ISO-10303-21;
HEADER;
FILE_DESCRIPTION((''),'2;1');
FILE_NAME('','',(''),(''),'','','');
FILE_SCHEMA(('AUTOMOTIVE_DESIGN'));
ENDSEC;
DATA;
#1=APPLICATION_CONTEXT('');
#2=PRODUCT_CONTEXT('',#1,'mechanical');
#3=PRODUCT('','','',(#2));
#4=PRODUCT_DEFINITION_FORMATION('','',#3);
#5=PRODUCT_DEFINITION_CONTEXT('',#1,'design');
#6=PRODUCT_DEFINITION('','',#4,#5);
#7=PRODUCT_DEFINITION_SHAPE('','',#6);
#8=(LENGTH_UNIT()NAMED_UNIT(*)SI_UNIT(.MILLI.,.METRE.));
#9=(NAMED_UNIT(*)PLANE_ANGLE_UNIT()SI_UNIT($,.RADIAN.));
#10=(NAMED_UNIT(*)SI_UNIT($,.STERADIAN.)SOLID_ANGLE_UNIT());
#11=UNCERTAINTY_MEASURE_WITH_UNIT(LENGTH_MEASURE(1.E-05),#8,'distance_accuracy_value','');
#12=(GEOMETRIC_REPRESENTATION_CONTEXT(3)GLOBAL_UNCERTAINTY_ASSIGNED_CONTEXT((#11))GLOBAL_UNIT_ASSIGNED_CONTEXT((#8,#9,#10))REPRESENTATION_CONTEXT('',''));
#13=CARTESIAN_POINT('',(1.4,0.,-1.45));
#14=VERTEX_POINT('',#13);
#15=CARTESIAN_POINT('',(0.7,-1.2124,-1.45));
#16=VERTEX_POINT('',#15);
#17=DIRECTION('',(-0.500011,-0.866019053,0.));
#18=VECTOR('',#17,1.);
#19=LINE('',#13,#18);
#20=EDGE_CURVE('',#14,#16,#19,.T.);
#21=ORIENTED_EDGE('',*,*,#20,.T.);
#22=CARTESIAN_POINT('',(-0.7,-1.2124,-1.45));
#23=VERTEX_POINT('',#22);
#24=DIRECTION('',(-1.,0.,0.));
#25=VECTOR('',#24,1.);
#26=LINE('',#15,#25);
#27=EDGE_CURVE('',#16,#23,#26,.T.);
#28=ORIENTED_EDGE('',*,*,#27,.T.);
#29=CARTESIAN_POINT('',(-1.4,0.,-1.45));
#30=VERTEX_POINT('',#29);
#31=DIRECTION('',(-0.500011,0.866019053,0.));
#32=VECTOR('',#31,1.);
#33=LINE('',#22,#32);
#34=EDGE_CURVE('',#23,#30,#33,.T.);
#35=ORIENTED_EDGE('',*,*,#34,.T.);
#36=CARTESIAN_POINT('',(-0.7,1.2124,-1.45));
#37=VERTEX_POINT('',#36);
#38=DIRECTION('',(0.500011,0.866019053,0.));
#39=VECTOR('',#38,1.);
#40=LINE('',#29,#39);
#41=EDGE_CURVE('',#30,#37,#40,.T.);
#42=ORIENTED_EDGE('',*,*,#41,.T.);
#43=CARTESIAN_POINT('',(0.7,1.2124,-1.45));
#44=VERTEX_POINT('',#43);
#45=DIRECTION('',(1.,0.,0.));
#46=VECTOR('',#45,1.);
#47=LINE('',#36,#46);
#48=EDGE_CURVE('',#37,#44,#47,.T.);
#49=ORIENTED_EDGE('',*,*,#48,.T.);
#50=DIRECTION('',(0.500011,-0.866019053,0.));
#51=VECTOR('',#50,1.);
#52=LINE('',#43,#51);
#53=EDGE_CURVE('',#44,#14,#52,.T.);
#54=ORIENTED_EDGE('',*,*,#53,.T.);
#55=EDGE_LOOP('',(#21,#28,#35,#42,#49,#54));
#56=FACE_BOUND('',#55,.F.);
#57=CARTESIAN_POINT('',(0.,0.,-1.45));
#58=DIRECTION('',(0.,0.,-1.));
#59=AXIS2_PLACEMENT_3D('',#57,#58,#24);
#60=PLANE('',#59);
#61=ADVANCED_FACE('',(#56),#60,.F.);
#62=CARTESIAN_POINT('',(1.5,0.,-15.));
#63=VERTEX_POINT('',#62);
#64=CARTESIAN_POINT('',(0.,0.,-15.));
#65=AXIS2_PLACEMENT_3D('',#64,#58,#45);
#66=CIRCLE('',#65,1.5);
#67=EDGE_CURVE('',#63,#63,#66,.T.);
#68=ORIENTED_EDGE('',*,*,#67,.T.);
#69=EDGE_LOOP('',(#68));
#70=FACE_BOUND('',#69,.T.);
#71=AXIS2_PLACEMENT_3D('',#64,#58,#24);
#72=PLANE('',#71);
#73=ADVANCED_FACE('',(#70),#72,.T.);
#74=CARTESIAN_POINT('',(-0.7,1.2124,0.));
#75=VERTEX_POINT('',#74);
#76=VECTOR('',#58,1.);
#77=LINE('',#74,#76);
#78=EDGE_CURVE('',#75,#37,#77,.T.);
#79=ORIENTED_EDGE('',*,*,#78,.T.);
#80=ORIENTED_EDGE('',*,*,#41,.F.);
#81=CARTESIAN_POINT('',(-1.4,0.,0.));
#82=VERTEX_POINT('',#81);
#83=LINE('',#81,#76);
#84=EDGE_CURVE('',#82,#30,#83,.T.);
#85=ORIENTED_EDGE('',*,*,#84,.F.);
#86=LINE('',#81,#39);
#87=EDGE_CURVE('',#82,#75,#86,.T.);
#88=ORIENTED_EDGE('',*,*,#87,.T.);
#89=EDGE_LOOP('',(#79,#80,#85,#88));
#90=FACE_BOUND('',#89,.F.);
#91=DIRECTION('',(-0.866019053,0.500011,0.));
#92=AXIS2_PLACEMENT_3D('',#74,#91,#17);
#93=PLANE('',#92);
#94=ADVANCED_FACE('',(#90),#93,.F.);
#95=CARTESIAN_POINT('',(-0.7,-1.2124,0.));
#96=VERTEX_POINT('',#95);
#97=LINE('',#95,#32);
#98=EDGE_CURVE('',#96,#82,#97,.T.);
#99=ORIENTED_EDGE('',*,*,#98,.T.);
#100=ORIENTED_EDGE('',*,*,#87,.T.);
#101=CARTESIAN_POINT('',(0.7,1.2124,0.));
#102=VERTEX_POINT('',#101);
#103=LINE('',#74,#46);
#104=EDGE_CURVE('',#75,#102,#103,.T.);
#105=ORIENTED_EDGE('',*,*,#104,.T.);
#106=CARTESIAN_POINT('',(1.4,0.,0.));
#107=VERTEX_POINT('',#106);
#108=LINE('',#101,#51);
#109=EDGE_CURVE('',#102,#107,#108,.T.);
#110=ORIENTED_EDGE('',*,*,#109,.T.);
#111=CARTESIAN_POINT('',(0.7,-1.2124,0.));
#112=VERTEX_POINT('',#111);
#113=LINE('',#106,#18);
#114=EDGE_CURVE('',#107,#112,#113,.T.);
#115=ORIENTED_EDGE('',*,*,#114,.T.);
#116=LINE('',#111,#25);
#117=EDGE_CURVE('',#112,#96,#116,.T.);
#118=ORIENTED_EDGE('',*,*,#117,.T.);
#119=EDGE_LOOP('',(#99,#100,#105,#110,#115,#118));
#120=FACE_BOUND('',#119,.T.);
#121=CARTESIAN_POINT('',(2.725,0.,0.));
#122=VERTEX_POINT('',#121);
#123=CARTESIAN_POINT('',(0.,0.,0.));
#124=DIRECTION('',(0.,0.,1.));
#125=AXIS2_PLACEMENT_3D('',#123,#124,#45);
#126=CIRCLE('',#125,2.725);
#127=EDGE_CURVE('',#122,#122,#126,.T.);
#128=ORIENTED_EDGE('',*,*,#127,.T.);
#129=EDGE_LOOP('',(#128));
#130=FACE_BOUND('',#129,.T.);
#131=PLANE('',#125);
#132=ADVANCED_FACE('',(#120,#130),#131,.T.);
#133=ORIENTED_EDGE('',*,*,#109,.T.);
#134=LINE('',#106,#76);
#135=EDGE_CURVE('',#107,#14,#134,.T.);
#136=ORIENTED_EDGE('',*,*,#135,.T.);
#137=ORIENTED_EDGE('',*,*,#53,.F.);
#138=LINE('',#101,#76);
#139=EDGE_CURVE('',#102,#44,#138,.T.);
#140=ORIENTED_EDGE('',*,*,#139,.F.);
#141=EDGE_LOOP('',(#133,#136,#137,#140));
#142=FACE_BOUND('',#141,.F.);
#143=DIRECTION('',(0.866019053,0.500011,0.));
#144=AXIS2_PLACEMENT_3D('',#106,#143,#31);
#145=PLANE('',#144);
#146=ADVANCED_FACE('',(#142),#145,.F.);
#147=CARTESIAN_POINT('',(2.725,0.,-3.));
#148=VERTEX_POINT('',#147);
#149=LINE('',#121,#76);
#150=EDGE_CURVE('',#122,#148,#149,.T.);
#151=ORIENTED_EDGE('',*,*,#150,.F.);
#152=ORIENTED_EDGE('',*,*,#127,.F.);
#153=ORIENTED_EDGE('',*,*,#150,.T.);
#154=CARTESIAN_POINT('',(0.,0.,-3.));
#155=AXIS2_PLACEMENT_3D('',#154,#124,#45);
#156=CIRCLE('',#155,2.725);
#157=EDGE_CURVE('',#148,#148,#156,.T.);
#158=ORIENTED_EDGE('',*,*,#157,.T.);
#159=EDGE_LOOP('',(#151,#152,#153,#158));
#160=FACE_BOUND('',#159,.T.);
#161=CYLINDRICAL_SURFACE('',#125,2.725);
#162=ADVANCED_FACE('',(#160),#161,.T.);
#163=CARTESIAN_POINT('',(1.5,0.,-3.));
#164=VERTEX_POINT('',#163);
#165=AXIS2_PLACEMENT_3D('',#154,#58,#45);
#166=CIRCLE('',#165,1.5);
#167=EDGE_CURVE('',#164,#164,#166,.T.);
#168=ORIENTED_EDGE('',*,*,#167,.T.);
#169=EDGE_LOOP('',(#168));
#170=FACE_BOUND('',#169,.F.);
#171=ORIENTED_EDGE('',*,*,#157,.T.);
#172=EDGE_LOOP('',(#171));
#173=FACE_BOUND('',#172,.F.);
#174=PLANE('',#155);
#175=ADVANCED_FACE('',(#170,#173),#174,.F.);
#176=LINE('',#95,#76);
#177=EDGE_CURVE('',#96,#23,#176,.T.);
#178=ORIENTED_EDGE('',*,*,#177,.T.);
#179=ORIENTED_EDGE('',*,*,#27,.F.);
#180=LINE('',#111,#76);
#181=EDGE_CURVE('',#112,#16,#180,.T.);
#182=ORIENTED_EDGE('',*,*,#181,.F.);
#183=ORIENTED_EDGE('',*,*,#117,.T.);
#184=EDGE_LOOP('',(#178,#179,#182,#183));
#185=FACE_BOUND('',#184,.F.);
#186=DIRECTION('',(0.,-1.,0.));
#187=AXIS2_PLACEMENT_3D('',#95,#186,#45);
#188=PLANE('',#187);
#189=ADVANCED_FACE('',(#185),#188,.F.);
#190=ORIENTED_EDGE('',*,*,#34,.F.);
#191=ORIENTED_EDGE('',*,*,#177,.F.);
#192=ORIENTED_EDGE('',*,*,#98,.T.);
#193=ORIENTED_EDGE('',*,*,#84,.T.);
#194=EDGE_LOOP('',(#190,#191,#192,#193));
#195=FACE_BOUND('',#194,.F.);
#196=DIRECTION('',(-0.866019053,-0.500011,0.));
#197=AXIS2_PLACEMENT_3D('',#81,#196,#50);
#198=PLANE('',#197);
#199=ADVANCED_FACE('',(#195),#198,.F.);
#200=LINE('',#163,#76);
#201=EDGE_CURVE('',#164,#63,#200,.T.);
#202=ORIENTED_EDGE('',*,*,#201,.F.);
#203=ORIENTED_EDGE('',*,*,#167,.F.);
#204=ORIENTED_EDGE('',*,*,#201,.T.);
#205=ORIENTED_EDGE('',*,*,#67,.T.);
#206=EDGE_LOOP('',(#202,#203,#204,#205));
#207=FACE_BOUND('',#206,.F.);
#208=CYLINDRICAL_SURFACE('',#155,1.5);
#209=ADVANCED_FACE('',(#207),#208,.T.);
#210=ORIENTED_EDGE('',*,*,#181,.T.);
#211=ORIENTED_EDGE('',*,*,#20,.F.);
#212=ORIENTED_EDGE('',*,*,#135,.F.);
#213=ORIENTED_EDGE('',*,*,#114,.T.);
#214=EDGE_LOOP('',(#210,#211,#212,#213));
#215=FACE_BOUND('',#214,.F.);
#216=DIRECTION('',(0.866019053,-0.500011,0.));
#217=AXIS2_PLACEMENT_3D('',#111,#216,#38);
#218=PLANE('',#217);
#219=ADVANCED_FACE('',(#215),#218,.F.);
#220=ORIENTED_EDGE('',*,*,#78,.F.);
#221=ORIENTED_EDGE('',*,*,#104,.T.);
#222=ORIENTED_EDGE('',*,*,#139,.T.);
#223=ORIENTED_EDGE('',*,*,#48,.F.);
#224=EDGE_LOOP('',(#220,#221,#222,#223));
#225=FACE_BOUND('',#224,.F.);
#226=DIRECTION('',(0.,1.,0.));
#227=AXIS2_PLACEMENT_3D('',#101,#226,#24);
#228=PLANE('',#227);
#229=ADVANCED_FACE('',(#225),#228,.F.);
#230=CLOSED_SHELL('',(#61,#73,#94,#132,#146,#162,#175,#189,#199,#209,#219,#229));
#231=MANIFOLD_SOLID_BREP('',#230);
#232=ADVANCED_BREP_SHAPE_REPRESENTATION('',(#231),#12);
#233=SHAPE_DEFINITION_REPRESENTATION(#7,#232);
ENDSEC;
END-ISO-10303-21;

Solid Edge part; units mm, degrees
sketch "Sketch1" plane through (0, 0, 0) normal (0, 0, 1) x (1, 0, 0)
  circle A0 centre (0, 0) radius 2.725
extrude "Protrusion1" add sketch "Sketch1" against normal blind 3
sketch "Sketch2" plane through (0, 0, 0) normal (0, 0, 1) x (1, 0, 0)
  line L0 (-0.7, -1.2124) -> (-1.05, -0.6062)
  line L1 (-1.4, 0) -> (-1.05, -0.6062)
  line L2 (-1.4, 0) -> (-1.05, 0.6062)
  line L3 (-0.7, 1.2124) -> (-1.05, 0.6062)
  line L4 (-0.7, 1.2124) -> (0, 1.2124)
  line L5 (0.7, 1.2124) -> (0, 1.2124)
  line L6 (0.7, 1.2124) -> (1.05, 0.6062)
  line L7 (1.4, 0) -> (1.05, 0.6062)
  line L8 (1.4, 0) -> (1.05, -0.6062)
  line L9 (0.7, -1.2124) -> (1.05, -0.6062)
  line L10 (0.7, -1.2124) -> (0, -1.2124)
  line L11 (-0.7, -1.2124) -> (0, -1.2124)
extrude "ExtrudedCutout_1" cut sketch "Sketch2" against normal blind 1.45
sketch "Sketch3" plane through (0, 0, -3) normal (0, 0, -1) x (1, 0, 0)
  circle A0 centre (0, 0) radius 1.5
extrude "ExtrudedProtrusion_2" add sketch "Sketch3" along normal blind 12
cosmetic_thread "Thread1" size "M3"
properties material "Stainless steel"
